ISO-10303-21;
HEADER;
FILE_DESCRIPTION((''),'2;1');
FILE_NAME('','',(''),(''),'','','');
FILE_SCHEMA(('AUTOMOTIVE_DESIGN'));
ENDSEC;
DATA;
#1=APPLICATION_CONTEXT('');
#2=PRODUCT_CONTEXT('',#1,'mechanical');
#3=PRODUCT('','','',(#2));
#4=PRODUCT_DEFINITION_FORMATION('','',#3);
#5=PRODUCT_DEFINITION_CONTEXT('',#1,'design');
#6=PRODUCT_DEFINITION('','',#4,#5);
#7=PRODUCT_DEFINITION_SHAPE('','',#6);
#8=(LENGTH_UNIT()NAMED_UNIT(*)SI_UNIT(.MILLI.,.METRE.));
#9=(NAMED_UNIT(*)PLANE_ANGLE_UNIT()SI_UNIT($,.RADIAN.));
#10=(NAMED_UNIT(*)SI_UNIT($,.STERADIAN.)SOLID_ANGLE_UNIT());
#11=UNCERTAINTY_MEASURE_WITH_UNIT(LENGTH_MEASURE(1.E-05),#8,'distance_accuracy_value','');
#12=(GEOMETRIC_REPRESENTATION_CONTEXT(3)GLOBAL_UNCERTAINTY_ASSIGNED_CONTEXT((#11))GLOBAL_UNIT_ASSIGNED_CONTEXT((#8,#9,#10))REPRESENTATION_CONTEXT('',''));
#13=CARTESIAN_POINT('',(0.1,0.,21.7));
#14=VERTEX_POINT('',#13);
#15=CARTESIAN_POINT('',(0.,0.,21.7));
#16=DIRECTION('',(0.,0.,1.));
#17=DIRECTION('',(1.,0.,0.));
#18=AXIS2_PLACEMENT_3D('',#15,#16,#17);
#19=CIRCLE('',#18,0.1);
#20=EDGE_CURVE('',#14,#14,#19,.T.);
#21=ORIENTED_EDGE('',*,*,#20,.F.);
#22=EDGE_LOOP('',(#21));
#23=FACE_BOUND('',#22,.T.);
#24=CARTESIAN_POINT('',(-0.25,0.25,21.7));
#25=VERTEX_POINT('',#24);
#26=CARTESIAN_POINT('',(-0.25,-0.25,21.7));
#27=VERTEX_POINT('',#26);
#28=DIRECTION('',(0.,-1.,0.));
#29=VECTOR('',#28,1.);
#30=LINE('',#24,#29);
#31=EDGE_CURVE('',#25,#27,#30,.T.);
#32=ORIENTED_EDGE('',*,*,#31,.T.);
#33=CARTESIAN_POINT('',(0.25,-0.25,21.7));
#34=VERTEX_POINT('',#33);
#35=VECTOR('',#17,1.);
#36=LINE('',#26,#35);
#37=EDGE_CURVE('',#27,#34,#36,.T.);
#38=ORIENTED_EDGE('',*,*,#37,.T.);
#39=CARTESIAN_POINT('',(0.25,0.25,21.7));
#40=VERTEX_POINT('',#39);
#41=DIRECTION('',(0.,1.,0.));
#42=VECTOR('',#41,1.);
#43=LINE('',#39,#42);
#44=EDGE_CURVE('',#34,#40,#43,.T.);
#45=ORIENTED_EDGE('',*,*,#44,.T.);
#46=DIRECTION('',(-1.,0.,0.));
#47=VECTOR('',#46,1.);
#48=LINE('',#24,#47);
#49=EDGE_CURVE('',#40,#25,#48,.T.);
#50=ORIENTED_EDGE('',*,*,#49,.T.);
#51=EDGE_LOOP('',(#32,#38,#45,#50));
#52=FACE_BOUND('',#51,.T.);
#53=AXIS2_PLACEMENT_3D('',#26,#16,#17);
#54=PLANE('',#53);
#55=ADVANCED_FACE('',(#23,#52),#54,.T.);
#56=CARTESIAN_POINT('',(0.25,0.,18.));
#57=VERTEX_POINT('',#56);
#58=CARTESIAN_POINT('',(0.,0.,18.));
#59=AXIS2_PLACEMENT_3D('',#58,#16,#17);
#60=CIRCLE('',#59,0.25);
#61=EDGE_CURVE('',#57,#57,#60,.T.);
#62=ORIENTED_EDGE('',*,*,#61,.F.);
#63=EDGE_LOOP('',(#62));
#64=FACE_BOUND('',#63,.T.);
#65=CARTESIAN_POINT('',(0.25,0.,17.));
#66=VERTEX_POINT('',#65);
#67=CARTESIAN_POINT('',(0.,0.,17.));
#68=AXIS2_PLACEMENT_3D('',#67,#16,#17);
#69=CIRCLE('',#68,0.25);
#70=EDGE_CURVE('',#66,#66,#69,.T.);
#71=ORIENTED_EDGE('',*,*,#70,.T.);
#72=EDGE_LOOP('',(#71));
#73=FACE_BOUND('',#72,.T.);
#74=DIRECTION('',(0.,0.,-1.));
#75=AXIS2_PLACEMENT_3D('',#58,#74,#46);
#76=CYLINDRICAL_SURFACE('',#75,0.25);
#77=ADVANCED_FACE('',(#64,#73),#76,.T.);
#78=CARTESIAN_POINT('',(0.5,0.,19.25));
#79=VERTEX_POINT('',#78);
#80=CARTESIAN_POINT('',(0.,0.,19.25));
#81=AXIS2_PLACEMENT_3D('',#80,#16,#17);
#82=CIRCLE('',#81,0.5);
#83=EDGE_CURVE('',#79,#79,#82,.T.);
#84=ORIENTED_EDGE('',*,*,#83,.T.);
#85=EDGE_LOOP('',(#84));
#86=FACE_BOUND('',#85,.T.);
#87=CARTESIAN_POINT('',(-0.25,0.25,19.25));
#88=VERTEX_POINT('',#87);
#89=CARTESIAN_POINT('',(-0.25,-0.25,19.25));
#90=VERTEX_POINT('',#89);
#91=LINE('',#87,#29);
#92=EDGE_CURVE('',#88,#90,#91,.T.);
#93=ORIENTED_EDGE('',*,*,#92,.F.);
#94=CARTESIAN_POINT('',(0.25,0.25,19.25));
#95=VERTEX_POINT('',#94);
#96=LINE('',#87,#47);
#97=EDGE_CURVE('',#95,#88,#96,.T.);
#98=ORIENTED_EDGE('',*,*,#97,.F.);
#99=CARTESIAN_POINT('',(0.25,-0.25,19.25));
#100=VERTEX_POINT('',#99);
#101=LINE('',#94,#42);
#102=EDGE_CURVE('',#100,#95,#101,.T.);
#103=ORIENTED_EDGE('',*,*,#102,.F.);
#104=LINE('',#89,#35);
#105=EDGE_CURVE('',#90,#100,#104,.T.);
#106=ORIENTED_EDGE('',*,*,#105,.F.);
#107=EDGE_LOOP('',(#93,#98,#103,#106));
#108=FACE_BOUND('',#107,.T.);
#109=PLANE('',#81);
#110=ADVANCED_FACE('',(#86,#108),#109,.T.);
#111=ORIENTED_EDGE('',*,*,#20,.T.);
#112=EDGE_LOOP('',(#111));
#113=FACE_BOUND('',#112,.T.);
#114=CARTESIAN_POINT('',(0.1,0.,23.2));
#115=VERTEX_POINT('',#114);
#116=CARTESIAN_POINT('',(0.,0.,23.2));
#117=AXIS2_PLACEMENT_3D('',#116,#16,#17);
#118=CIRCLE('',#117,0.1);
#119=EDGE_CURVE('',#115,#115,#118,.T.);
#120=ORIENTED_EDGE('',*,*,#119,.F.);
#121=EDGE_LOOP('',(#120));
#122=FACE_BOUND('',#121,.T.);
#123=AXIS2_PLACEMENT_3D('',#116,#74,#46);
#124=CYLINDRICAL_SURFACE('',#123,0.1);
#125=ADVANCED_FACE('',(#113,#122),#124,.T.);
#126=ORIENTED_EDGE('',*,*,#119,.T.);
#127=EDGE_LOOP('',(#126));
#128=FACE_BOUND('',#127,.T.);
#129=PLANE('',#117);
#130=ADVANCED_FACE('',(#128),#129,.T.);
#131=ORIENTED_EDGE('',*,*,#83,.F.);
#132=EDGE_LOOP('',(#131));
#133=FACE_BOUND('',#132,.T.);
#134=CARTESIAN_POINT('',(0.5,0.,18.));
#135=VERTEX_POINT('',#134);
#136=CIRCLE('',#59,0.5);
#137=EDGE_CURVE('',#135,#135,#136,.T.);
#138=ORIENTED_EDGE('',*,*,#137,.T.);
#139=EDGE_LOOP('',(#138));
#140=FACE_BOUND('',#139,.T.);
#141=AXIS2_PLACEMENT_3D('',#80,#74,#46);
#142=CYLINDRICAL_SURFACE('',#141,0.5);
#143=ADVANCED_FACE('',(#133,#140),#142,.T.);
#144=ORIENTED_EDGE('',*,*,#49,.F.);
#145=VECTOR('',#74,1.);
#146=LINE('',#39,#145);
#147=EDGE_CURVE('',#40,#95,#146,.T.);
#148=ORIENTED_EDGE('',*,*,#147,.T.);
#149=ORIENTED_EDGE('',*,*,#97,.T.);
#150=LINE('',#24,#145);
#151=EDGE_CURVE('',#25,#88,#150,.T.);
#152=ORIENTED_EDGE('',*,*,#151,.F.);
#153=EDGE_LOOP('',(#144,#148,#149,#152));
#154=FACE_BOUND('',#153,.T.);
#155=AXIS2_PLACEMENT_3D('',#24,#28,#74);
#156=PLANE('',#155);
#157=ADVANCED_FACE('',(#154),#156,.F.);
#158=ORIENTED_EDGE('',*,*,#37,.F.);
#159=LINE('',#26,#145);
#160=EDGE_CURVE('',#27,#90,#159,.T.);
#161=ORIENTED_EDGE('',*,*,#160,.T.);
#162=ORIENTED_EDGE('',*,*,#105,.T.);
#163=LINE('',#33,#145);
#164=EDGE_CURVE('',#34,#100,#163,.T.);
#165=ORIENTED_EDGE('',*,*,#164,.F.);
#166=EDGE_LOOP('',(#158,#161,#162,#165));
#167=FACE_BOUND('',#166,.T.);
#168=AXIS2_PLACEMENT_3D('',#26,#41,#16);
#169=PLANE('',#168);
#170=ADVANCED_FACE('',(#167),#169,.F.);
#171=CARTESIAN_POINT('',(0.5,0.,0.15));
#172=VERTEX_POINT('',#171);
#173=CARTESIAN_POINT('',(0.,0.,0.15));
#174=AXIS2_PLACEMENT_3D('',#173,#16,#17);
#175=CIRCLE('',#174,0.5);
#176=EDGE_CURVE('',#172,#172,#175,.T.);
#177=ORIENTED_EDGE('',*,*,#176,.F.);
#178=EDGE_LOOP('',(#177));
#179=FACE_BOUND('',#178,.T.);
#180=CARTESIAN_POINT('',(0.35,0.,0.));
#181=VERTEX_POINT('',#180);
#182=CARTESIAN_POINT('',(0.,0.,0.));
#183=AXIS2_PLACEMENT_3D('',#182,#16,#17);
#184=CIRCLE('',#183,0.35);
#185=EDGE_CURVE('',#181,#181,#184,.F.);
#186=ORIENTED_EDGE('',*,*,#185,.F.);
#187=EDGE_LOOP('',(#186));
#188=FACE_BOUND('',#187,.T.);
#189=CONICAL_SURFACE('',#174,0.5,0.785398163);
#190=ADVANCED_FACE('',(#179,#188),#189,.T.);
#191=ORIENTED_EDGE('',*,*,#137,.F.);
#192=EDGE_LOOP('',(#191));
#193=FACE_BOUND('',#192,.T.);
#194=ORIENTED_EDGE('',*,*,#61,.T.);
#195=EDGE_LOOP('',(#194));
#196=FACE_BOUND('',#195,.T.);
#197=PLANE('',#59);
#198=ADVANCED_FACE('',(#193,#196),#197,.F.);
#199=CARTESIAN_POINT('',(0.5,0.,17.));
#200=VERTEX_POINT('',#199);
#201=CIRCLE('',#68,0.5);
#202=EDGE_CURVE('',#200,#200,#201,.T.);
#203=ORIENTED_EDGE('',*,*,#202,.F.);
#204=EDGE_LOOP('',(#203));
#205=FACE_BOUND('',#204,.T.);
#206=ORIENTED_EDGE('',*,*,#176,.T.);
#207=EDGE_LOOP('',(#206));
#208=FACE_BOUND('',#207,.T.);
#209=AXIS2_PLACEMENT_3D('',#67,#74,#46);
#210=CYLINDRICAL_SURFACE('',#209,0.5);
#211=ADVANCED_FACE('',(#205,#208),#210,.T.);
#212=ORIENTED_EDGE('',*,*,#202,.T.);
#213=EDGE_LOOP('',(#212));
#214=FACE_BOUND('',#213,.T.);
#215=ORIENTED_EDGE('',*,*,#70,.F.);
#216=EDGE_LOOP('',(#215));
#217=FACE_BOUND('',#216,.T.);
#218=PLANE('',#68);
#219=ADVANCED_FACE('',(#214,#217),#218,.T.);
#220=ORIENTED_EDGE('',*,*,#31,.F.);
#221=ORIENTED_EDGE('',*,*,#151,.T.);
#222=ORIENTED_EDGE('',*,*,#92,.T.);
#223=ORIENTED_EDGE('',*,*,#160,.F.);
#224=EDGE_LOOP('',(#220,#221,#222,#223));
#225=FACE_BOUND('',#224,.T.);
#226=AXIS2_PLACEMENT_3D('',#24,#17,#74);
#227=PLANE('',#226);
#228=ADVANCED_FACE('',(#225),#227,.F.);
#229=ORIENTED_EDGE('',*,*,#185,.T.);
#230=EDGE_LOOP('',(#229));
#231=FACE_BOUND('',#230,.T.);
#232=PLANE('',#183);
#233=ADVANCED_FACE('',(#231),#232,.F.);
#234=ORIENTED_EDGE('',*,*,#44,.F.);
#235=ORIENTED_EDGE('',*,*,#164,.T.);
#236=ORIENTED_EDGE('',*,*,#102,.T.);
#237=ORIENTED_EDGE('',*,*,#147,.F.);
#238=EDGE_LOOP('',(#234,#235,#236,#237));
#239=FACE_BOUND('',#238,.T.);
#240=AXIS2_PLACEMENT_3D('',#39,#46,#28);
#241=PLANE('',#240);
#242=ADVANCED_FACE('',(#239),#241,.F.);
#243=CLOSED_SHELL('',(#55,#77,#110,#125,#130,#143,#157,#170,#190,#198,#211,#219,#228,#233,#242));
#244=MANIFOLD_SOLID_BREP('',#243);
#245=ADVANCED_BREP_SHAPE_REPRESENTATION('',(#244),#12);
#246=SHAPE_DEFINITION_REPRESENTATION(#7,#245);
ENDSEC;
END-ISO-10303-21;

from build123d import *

# Parameters (mm, degrees)
CROQUIS1_R              = 0.5
SALIENTE_EXTRUIR1_DEPTH = 17
CHAFL_N1_SIZE           = 0.15
CROQUIS6_R              = 0.25
SALIENTE_EXTRUIR2_DEPTH = 1
CROQUIS7_R              = 0.5
SALIENTE_EXTRUIR3_DEPTH = 1.25
CROQUIS8_W              = 0.5
CROQUIS8_H              = 0.5
SALIENTE_EXTRUIR4_DEPTH = 2.45
CROQUIS9_R              = 0.1
SALIENTE_EXTRUIR5_DEPTH = 1.5


with BuildPart() as part:
    # Croquis1 → Saliente-Extruir1 (new body)
    with BuildSketch(Plane.XY):
        Circle(CROQUIS1_R)
    extrude(amount=SALIENTE_EXTRUIR1_DEPTH)

    # Chaflán1
    chafl_n1_edges = [part.edges().sort_by_distance(p)[0] for p in [
        (-0.5, 0, 0),
    ]]
    chamfer(chafl_n1_edges, length=CHAFL_N1_SIZE)

    # Croquis6 → Saliente-Extruir2 (add)
    with BuildSketch(Plane.XY.offset(17)):
        Circle(CROQUIS6_R)
    extrude(amount=SALIENTE_EXTRUIR2_DEPTH)

    # Croquis7 → Saliente-Extruir3 (add)
    with BuildSketch(Plane.XY.offset(18)):
        Circle(CROQUIS7_R)
    extrude(amount=SALIENTE_EXTRUIR3_DEPTH)

    # Croquis8 → Saliente-Extruir4 (add)
    with BuildSketch(Plane.XY.offset(19.25)):
        Rectangle(CROQUIS8_W, CROQUIS8_H)
    extrude(amount=SALIENTE_EXTRUIR4_DEPTH)

    # Croquis9 → Saliente-Extruir5 (add)
    with BuildSketch(Plane.XY.offset(21.7)):
        Circle(CROQUIS9_R)
    extrude(amount=SALIENTE_EXTRUIR5_DEPTH)


solid = part.part
